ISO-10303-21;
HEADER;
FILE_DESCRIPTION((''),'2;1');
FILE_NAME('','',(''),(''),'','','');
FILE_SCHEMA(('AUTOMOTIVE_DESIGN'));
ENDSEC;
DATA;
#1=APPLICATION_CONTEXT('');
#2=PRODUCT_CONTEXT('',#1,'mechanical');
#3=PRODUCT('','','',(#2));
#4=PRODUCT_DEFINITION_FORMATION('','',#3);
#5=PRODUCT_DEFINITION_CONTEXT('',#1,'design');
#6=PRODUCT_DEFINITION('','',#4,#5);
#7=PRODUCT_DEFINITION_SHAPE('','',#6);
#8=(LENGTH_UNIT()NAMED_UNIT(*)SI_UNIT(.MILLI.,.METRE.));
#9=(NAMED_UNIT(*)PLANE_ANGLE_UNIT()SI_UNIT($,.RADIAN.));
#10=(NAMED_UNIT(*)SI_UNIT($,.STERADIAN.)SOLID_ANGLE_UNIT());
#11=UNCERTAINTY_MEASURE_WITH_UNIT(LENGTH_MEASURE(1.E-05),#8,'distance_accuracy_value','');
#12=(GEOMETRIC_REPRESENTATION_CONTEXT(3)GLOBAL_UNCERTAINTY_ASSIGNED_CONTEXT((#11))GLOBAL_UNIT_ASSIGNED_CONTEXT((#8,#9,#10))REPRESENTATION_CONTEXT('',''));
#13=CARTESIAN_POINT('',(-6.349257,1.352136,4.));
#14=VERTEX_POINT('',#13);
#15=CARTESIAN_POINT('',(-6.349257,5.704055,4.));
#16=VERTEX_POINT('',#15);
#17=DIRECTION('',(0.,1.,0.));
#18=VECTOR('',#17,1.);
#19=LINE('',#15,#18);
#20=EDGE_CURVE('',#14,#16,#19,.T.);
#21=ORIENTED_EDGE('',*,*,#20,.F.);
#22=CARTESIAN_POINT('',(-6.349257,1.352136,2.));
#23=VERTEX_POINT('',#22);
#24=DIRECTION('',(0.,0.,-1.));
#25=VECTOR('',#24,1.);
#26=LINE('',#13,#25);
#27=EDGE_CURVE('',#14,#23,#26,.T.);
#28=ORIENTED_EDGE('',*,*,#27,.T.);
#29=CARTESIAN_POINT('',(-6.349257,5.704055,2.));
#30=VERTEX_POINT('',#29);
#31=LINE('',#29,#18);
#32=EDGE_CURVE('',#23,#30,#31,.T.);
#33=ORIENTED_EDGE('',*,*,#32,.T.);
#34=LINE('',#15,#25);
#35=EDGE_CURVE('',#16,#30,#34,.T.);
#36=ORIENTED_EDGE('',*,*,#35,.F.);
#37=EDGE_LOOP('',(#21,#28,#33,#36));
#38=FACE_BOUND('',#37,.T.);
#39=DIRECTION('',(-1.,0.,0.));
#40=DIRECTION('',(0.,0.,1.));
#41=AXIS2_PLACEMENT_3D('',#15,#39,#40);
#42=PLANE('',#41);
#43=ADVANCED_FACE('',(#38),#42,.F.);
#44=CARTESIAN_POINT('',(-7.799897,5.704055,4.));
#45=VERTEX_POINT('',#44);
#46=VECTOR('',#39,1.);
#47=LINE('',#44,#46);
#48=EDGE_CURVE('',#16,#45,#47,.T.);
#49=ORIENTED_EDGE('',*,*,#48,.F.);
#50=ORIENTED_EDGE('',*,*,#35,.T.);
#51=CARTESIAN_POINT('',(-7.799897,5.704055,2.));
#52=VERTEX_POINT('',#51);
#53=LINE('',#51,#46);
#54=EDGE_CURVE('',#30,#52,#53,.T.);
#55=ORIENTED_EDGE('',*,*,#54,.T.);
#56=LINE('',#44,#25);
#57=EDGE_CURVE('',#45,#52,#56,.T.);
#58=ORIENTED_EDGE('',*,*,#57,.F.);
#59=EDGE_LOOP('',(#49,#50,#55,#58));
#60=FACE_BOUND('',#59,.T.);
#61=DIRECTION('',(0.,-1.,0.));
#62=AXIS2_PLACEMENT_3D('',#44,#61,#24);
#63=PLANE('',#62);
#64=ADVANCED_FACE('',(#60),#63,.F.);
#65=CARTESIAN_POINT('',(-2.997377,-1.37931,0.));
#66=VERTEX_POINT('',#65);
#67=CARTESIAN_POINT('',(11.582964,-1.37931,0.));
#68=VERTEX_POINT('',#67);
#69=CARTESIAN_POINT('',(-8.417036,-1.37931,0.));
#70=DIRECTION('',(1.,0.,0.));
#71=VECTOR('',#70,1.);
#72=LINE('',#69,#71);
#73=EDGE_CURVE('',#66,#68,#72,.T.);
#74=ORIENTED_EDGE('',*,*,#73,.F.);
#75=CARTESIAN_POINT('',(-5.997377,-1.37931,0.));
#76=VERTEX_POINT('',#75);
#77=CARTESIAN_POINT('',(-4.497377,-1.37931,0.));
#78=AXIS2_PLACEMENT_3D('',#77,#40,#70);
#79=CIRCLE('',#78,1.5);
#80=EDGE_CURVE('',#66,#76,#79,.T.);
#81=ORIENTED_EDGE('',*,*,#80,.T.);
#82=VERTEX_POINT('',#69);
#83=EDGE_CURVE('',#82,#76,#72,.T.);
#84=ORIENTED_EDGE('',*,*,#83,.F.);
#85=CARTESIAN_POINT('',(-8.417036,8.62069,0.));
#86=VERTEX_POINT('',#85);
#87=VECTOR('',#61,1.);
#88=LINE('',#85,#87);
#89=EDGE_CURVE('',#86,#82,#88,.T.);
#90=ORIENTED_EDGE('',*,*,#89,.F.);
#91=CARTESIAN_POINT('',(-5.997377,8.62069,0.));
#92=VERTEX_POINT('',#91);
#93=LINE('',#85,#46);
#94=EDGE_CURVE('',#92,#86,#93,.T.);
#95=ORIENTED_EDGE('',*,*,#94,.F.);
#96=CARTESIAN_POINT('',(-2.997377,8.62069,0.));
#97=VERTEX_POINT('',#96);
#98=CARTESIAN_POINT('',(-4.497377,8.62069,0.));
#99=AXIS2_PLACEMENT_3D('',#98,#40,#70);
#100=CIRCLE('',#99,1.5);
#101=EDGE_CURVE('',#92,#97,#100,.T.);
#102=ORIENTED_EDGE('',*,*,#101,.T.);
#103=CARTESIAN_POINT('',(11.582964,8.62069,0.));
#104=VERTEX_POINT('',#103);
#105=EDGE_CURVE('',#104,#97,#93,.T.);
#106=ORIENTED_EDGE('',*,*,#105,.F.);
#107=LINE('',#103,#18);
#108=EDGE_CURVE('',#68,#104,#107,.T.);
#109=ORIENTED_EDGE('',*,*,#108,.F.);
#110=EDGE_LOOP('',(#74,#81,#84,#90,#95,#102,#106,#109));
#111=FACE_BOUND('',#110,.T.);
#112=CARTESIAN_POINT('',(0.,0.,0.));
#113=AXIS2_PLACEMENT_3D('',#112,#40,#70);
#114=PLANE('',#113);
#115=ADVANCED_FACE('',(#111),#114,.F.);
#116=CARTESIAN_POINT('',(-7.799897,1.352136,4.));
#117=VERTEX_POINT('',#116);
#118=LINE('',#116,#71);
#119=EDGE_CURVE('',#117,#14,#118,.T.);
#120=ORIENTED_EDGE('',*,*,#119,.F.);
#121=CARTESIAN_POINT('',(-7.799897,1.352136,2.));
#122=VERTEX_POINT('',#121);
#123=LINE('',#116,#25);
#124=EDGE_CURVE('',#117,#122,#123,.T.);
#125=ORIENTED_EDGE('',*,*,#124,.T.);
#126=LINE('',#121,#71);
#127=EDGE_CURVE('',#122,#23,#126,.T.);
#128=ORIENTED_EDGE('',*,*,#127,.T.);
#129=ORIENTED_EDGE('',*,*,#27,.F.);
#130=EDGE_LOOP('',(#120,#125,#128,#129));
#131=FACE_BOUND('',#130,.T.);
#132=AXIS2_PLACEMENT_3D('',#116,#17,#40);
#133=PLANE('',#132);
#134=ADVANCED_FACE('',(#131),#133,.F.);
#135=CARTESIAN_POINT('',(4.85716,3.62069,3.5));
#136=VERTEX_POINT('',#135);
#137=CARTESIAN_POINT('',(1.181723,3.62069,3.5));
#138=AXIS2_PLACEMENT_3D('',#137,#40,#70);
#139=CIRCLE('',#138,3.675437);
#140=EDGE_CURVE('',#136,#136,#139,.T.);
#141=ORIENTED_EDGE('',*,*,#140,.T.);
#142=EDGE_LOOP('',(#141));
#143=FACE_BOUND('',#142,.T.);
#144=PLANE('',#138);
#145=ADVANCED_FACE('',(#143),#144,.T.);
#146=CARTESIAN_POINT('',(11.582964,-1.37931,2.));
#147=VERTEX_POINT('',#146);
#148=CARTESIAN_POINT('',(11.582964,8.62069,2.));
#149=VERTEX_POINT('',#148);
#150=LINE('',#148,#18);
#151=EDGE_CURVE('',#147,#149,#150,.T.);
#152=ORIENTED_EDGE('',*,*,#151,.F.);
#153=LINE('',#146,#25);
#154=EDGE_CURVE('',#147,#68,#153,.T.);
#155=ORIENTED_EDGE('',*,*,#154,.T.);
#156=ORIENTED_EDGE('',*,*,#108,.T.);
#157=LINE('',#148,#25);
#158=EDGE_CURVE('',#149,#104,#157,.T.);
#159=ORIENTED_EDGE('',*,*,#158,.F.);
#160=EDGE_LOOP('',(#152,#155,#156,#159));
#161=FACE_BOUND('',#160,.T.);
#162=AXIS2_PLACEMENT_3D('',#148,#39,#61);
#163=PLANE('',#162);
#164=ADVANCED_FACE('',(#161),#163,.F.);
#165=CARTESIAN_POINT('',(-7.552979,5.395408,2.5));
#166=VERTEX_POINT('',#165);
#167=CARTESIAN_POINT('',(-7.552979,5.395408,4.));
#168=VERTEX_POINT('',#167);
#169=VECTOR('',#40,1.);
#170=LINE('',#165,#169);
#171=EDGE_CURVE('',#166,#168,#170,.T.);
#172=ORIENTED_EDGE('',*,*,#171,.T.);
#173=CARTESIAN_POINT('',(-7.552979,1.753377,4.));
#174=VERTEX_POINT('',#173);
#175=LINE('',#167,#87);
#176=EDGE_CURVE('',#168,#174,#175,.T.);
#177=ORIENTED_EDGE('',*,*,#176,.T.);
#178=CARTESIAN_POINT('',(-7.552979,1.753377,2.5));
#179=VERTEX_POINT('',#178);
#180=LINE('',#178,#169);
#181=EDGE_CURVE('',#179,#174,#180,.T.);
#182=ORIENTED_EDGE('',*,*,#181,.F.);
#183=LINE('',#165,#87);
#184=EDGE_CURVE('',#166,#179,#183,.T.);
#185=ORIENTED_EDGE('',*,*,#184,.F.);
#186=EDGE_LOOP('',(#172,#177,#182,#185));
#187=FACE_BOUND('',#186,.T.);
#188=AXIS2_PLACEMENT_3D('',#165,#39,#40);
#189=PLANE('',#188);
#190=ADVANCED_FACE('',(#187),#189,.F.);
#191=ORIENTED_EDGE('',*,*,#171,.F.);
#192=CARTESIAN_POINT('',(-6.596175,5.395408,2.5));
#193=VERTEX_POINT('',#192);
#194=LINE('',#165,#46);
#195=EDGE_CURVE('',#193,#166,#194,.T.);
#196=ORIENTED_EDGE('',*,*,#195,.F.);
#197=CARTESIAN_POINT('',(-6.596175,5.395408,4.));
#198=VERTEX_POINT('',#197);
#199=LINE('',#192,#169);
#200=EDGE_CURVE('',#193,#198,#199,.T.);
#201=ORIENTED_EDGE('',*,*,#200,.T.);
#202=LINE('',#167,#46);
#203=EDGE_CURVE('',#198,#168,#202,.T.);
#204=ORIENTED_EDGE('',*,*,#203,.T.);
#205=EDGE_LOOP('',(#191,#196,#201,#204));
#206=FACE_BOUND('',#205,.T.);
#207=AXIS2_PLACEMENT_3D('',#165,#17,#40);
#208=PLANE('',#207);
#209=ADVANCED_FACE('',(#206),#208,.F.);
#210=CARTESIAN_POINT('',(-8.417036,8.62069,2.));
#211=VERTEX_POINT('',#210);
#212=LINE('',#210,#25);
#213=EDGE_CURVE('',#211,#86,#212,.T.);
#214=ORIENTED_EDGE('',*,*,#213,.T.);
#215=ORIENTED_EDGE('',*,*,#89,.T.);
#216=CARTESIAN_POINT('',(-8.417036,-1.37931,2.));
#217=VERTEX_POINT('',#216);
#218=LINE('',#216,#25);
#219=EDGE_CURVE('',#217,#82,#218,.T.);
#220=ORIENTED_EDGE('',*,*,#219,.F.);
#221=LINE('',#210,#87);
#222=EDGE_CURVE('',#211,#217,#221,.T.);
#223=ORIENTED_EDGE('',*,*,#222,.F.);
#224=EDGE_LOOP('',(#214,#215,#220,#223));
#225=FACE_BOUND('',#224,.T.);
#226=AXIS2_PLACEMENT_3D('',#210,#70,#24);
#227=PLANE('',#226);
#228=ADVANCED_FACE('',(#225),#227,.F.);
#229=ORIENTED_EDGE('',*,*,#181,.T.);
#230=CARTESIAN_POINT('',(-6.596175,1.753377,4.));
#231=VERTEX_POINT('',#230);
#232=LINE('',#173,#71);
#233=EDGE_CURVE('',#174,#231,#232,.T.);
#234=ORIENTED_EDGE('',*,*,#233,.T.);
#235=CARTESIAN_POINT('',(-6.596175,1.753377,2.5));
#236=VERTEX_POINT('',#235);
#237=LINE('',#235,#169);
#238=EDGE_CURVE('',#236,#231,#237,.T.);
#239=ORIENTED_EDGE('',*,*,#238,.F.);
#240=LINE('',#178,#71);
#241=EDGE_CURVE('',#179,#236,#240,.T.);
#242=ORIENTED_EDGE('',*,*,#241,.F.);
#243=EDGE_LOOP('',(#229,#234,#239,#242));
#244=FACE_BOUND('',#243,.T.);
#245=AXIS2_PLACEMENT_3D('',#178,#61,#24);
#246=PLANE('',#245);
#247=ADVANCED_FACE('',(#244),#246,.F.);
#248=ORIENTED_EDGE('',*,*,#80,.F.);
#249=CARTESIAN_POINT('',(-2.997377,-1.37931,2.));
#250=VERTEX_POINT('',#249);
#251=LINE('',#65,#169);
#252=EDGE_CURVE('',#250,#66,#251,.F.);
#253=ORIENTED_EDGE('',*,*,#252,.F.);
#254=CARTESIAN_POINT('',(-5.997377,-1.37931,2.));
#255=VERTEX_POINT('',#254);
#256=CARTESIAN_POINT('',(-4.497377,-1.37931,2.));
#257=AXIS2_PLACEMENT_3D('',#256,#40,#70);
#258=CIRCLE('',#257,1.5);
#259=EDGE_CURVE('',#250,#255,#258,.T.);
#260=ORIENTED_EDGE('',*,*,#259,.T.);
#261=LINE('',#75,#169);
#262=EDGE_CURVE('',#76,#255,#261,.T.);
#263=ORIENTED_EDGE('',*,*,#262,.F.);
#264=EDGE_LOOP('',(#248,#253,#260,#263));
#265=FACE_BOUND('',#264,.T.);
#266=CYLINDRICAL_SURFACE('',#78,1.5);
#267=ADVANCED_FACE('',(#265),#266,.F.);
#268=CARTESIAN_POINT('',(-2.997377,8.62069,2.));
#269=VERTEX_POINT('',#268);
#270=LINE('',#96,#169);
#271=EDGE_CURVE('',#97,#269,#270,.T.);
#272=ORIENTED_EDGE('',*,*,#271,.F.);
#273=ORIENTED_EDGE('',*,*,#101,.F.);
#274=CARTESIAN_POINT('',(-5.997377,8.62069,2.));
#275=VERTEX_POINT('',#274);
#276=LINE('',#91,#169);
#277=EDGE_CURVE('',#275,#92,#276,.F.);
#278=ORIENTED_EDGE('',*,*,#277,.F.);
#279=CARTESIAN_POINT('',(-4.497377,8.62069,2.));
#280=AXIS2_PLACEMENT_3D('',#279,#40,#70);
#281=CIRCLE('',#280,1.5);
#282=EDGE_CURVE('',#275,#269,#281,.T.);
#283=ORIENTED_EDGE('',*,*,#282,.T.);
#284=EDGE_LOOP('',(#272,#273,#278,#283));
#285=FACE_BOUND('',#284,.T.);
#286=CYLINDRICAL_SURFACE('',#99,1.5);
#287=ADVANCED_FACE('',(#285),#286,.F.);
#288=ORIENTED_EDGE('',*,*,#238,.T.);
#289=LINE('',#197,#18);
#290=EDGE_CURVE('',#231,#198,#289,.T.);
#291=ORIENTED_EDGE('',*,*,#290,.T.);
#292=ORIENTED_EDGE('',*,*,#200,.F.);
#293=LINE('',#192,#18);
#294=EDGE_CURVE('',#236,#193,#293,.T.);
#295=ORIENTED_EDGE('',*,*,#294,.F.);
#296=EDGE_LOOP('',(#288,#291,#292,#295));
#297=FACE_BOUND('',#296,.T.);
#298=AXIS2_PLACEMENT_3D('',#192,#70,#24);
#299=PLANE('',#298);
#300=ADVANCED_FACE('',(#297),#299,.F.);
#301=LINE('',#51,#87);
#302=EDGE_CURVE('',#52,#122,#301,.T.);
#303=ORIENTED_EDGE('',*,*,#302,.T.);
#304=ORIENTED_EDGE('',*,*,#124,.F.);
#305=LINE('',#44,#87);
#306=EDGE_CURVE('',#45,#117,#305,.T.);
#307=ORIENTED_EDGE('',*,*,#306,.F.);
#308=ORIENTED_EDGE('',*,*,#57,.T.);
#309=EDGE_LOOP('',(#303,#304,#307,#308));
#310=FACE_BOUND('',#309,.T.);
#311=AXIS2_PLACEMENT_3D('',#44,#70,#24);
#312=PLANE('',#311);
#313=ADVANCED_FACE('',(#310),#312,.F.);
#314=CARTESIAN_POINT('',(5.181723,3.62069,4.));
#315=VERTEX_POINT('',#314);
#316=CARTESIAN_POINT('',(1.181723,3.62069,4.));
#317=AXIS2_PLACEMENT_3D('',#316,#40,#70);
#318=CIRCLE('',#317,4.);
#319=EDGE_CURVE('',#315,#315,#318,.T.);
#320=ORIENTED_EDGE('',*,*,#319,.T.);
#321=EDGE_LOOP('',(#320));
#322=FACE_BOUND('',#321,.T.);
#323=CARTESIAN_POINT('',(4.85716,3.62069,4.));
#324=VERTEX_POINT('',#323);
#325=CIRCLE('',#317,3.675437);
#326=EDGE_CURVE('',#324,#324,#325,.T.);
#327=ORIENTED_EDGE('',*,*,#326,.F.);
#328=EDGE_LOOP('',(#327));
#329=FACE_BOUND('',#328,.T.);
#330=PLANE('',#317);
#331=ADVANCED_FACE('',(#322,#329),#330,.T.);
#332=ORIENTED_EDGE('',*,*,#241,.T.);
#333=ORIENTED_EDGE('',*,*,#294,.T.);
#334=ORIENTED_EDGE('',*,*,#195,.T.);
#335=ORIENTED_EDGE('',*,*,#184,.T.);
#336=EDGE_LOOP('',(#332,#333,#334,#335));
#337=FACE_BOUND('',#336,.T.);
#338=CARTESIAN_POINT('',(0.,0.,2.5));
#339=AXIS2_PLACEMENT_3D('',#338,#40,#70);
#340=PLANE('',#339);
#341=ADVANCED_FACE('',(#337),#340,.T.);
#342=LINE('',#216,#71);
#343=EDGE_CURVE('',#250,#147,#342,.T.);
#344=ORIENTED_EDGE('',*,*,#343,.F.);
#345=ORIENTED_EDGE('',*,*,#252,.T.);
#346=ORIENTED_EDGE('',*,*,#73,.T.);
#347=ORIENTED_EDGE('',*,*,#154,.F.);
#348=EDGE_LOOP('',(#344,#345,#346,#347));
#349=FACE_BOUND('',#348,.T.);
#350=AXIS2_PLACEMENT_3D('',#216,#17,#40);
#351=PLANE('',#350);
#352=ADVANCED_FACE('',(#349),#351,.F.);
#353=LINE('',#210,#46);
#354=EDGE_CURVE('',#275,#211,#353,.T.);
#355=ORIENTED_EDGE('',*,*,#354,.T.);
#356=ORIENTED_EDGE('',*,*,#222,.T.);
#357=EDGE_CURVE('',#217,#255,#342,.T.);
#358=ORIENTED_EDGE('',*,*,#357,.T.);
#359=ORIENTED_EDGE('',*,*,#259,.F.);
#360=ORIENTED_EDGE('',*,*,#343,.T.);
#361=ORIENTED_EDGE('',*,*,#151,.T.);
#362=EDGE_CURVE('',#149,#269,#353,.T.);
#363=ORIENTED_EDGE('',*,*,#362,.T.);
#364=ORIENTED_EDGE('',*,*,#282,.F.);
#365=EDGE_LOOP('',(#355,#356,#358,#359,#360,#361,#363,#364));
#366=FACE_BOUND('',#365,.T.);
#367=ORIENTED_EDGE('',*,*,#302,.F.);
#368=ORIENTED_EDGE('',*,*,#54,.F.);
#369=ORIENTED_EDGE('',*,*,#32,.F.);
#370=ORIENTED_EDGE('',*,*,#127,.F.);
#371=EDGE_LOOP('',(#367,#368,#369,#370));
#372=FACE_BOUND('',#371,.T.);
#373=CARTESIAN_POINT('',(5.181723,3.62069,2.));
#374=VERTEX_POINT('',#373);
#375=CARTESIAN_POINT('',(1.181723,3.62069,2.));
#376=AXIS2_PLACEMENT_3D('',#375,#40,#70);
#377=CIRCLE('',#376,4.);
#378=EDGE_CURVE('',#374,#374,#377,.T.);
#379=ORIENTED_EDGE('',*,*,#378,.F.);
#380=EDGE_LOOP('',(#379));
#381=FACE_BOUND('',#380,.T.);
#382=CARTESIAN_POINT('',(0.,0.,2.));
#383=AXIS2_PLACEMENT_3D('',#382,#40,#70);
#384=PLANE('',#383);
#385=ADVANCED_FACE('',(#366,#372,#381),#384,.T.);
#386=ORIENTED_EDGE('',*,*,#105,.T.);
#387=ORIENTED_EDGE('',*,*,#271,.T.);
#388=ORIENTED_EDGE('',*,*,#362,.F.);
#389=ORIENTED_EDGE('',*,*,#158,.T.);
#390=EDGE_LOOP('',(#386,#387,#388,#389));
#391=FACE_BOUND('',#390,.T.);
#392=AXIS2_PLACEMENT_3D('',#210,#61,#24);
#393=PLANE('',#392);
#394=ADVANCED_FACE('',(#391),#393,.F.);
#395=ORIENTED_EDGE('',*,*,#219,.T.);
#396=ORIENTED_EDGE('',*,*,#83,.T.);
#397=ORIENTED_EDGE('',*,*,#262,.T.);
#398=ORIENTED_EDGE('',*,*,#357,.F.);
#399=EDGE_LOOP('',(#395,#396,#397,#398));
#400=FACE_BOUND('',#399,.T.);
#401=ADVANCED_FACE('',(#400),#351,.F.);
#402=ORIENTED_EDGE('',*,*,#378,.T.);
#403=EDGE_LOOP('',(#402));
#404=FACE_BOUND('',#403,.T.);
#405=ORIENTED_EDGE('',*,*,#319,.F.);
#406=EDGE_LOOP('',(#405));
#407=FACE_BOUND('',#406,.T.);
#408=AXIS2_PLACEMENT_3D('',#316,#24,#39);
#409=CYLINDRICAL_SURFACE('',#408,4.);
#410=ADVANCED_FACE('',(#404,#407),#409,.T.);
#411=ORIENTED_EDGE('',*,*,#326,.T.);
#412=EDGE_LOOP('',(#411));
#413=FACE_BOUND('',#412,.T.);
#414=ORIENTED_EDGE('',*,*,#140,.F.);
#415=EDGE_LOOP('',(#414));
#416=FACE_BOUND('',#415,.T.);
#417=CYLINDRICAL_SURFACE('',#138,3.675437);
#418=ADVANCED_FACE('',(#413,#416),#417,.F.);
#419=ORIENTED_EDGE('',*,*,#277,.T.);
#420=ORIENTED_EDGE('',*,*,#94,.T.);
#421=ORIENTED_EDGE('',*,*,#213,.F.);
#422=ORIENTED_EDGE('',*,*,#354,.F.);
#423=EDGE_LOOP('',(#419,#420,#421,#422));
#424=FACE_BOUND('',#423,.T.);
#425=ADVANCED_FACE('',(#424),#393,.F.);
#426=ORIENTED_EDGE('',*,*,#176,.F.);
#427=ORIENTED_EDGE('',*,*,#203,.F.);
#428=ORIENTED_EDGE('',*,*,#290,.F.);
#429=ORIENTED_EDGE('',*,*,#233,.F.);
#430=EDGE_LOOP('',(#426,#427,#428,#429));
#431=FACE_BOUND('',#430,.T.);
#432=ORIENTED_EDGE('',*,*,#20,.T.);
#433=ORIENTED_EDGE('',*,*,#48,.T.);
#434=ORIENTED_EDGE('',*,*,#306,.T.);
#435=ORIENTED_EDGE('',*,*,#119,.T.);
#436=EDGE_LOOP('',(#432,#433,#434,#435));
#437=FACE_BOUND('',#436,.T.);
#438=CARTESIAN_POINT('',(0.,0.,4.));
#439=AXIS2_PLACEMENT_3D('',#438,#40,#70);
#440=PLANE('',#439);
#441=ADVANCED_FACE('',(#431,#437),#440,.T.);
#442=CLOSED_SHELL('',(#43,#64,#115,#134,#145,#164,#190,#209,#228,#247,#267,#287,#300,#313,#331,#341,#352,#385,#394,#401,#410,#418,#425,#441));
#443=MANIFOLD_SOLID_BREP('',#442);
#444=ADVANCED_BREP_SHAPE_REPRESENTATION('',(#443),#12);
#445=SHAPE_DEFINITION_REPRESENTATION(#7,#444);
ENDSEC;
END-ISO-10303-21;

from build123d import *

# Parameters (mm, degrees)
ESQUISSE1_W             = 20
ESQUISSE1_H             = 10
BOSS_EXTRU_1_DEPTH      = 2
ESQUISSE2_R             = 1.5
ENL_V_MAT_EXTRU_1_DEPTH = 2
ESQUISSE3_R             = 4
BOSS_EXTRU_2_DEPTH      = 2
ESQUISSE4_R             = 3.675436607
ENL_V_MAT_EXTRU_2_DEPTH = 0.5
ESQUISSE5_W             = 1.450639668
ESQUISSE5_H             = 4.351919005
BOSS_EXTRU_3_DEPTH      = 2
ESQUISSE6_W             = 0.956804888
ESQUISSE6_H             = 3.642031508
ENL_V_MAT_EXTRU_3_DEPTH = 1.5


with BuildPart() as part:
    # Esquisse1 → Boss.-Extru.1 (new body)
    with BuildSketch(Plane.XY):
        with Locations((1.582964004, 3.620689655)):
            Rectangle(ESQUISSE1_W, ESQUISSE1_H)
    extrude(amount=BOSS_EXTRU_1_DEPTH)

    # Esquisse2 → Enlèv. mat.-Extru.1 (cut)
    with BuildSketch(Plane.XY.offset(2)):
        with Locations((-4.497376734, 8.620689655)):
            Circle(ESQUISSE2_R)
        with Locations((-4.497376734, -1.379310345)):
            Circle(ESQUISSE2_R)
    extrude(amount=-ENL_V_MAT_EXTRU_1_DEPTH, mode=Mode.SUBTRACT)

    # Esquisse3 → Boss.-Extru.2 (add)
    with BuildSketch(Plane.XY.offset(2)):
        with Locations((1.181723245, 3.620689655)):
            Circle(ESQUISSE3_R)
    extrude(amount=BOSS_EXTRU_2_DEPTH)

    # Esquisse4 → Enlèv. mat.-Extru.2 (cut)
    with BuildSketch(Plane.XY.offset(4)):
        with Locations((1.181723245, 3.620689655)):
            Circle(ESQUISSE4_R)
    extrude(amount=-ENL_V_MAT_EXTRU_2_DEPTH, mode=Mode.SUBTRACT)

    # Esquisse5 → Boss.-Extru.3 (add)
    with BuildSketch(Plane.XY.offset(2)):
        with Locations((-7.074576996, 3.528095633)):
            Rectangle(ESQUISSE5_W, ESQUISSE5_H)
    extrude(amount=BOSS_EXTRU_3_DEPTH)

    # Esquisse6 → Enlèv. mat.-Extru.3 (cut)
    with BuildSketch(Plane.XY.offset(4)):
        with Locations((-7.074576996, 3.574392644)):
            Rectangle(ESQUISSE6_W, ESQUISSE6_H)
    extrude(amount=-ENL_V_MAT_EXTRU_3_DEPTH, mode=Mode.SUBTRACT)


solid = part.part
